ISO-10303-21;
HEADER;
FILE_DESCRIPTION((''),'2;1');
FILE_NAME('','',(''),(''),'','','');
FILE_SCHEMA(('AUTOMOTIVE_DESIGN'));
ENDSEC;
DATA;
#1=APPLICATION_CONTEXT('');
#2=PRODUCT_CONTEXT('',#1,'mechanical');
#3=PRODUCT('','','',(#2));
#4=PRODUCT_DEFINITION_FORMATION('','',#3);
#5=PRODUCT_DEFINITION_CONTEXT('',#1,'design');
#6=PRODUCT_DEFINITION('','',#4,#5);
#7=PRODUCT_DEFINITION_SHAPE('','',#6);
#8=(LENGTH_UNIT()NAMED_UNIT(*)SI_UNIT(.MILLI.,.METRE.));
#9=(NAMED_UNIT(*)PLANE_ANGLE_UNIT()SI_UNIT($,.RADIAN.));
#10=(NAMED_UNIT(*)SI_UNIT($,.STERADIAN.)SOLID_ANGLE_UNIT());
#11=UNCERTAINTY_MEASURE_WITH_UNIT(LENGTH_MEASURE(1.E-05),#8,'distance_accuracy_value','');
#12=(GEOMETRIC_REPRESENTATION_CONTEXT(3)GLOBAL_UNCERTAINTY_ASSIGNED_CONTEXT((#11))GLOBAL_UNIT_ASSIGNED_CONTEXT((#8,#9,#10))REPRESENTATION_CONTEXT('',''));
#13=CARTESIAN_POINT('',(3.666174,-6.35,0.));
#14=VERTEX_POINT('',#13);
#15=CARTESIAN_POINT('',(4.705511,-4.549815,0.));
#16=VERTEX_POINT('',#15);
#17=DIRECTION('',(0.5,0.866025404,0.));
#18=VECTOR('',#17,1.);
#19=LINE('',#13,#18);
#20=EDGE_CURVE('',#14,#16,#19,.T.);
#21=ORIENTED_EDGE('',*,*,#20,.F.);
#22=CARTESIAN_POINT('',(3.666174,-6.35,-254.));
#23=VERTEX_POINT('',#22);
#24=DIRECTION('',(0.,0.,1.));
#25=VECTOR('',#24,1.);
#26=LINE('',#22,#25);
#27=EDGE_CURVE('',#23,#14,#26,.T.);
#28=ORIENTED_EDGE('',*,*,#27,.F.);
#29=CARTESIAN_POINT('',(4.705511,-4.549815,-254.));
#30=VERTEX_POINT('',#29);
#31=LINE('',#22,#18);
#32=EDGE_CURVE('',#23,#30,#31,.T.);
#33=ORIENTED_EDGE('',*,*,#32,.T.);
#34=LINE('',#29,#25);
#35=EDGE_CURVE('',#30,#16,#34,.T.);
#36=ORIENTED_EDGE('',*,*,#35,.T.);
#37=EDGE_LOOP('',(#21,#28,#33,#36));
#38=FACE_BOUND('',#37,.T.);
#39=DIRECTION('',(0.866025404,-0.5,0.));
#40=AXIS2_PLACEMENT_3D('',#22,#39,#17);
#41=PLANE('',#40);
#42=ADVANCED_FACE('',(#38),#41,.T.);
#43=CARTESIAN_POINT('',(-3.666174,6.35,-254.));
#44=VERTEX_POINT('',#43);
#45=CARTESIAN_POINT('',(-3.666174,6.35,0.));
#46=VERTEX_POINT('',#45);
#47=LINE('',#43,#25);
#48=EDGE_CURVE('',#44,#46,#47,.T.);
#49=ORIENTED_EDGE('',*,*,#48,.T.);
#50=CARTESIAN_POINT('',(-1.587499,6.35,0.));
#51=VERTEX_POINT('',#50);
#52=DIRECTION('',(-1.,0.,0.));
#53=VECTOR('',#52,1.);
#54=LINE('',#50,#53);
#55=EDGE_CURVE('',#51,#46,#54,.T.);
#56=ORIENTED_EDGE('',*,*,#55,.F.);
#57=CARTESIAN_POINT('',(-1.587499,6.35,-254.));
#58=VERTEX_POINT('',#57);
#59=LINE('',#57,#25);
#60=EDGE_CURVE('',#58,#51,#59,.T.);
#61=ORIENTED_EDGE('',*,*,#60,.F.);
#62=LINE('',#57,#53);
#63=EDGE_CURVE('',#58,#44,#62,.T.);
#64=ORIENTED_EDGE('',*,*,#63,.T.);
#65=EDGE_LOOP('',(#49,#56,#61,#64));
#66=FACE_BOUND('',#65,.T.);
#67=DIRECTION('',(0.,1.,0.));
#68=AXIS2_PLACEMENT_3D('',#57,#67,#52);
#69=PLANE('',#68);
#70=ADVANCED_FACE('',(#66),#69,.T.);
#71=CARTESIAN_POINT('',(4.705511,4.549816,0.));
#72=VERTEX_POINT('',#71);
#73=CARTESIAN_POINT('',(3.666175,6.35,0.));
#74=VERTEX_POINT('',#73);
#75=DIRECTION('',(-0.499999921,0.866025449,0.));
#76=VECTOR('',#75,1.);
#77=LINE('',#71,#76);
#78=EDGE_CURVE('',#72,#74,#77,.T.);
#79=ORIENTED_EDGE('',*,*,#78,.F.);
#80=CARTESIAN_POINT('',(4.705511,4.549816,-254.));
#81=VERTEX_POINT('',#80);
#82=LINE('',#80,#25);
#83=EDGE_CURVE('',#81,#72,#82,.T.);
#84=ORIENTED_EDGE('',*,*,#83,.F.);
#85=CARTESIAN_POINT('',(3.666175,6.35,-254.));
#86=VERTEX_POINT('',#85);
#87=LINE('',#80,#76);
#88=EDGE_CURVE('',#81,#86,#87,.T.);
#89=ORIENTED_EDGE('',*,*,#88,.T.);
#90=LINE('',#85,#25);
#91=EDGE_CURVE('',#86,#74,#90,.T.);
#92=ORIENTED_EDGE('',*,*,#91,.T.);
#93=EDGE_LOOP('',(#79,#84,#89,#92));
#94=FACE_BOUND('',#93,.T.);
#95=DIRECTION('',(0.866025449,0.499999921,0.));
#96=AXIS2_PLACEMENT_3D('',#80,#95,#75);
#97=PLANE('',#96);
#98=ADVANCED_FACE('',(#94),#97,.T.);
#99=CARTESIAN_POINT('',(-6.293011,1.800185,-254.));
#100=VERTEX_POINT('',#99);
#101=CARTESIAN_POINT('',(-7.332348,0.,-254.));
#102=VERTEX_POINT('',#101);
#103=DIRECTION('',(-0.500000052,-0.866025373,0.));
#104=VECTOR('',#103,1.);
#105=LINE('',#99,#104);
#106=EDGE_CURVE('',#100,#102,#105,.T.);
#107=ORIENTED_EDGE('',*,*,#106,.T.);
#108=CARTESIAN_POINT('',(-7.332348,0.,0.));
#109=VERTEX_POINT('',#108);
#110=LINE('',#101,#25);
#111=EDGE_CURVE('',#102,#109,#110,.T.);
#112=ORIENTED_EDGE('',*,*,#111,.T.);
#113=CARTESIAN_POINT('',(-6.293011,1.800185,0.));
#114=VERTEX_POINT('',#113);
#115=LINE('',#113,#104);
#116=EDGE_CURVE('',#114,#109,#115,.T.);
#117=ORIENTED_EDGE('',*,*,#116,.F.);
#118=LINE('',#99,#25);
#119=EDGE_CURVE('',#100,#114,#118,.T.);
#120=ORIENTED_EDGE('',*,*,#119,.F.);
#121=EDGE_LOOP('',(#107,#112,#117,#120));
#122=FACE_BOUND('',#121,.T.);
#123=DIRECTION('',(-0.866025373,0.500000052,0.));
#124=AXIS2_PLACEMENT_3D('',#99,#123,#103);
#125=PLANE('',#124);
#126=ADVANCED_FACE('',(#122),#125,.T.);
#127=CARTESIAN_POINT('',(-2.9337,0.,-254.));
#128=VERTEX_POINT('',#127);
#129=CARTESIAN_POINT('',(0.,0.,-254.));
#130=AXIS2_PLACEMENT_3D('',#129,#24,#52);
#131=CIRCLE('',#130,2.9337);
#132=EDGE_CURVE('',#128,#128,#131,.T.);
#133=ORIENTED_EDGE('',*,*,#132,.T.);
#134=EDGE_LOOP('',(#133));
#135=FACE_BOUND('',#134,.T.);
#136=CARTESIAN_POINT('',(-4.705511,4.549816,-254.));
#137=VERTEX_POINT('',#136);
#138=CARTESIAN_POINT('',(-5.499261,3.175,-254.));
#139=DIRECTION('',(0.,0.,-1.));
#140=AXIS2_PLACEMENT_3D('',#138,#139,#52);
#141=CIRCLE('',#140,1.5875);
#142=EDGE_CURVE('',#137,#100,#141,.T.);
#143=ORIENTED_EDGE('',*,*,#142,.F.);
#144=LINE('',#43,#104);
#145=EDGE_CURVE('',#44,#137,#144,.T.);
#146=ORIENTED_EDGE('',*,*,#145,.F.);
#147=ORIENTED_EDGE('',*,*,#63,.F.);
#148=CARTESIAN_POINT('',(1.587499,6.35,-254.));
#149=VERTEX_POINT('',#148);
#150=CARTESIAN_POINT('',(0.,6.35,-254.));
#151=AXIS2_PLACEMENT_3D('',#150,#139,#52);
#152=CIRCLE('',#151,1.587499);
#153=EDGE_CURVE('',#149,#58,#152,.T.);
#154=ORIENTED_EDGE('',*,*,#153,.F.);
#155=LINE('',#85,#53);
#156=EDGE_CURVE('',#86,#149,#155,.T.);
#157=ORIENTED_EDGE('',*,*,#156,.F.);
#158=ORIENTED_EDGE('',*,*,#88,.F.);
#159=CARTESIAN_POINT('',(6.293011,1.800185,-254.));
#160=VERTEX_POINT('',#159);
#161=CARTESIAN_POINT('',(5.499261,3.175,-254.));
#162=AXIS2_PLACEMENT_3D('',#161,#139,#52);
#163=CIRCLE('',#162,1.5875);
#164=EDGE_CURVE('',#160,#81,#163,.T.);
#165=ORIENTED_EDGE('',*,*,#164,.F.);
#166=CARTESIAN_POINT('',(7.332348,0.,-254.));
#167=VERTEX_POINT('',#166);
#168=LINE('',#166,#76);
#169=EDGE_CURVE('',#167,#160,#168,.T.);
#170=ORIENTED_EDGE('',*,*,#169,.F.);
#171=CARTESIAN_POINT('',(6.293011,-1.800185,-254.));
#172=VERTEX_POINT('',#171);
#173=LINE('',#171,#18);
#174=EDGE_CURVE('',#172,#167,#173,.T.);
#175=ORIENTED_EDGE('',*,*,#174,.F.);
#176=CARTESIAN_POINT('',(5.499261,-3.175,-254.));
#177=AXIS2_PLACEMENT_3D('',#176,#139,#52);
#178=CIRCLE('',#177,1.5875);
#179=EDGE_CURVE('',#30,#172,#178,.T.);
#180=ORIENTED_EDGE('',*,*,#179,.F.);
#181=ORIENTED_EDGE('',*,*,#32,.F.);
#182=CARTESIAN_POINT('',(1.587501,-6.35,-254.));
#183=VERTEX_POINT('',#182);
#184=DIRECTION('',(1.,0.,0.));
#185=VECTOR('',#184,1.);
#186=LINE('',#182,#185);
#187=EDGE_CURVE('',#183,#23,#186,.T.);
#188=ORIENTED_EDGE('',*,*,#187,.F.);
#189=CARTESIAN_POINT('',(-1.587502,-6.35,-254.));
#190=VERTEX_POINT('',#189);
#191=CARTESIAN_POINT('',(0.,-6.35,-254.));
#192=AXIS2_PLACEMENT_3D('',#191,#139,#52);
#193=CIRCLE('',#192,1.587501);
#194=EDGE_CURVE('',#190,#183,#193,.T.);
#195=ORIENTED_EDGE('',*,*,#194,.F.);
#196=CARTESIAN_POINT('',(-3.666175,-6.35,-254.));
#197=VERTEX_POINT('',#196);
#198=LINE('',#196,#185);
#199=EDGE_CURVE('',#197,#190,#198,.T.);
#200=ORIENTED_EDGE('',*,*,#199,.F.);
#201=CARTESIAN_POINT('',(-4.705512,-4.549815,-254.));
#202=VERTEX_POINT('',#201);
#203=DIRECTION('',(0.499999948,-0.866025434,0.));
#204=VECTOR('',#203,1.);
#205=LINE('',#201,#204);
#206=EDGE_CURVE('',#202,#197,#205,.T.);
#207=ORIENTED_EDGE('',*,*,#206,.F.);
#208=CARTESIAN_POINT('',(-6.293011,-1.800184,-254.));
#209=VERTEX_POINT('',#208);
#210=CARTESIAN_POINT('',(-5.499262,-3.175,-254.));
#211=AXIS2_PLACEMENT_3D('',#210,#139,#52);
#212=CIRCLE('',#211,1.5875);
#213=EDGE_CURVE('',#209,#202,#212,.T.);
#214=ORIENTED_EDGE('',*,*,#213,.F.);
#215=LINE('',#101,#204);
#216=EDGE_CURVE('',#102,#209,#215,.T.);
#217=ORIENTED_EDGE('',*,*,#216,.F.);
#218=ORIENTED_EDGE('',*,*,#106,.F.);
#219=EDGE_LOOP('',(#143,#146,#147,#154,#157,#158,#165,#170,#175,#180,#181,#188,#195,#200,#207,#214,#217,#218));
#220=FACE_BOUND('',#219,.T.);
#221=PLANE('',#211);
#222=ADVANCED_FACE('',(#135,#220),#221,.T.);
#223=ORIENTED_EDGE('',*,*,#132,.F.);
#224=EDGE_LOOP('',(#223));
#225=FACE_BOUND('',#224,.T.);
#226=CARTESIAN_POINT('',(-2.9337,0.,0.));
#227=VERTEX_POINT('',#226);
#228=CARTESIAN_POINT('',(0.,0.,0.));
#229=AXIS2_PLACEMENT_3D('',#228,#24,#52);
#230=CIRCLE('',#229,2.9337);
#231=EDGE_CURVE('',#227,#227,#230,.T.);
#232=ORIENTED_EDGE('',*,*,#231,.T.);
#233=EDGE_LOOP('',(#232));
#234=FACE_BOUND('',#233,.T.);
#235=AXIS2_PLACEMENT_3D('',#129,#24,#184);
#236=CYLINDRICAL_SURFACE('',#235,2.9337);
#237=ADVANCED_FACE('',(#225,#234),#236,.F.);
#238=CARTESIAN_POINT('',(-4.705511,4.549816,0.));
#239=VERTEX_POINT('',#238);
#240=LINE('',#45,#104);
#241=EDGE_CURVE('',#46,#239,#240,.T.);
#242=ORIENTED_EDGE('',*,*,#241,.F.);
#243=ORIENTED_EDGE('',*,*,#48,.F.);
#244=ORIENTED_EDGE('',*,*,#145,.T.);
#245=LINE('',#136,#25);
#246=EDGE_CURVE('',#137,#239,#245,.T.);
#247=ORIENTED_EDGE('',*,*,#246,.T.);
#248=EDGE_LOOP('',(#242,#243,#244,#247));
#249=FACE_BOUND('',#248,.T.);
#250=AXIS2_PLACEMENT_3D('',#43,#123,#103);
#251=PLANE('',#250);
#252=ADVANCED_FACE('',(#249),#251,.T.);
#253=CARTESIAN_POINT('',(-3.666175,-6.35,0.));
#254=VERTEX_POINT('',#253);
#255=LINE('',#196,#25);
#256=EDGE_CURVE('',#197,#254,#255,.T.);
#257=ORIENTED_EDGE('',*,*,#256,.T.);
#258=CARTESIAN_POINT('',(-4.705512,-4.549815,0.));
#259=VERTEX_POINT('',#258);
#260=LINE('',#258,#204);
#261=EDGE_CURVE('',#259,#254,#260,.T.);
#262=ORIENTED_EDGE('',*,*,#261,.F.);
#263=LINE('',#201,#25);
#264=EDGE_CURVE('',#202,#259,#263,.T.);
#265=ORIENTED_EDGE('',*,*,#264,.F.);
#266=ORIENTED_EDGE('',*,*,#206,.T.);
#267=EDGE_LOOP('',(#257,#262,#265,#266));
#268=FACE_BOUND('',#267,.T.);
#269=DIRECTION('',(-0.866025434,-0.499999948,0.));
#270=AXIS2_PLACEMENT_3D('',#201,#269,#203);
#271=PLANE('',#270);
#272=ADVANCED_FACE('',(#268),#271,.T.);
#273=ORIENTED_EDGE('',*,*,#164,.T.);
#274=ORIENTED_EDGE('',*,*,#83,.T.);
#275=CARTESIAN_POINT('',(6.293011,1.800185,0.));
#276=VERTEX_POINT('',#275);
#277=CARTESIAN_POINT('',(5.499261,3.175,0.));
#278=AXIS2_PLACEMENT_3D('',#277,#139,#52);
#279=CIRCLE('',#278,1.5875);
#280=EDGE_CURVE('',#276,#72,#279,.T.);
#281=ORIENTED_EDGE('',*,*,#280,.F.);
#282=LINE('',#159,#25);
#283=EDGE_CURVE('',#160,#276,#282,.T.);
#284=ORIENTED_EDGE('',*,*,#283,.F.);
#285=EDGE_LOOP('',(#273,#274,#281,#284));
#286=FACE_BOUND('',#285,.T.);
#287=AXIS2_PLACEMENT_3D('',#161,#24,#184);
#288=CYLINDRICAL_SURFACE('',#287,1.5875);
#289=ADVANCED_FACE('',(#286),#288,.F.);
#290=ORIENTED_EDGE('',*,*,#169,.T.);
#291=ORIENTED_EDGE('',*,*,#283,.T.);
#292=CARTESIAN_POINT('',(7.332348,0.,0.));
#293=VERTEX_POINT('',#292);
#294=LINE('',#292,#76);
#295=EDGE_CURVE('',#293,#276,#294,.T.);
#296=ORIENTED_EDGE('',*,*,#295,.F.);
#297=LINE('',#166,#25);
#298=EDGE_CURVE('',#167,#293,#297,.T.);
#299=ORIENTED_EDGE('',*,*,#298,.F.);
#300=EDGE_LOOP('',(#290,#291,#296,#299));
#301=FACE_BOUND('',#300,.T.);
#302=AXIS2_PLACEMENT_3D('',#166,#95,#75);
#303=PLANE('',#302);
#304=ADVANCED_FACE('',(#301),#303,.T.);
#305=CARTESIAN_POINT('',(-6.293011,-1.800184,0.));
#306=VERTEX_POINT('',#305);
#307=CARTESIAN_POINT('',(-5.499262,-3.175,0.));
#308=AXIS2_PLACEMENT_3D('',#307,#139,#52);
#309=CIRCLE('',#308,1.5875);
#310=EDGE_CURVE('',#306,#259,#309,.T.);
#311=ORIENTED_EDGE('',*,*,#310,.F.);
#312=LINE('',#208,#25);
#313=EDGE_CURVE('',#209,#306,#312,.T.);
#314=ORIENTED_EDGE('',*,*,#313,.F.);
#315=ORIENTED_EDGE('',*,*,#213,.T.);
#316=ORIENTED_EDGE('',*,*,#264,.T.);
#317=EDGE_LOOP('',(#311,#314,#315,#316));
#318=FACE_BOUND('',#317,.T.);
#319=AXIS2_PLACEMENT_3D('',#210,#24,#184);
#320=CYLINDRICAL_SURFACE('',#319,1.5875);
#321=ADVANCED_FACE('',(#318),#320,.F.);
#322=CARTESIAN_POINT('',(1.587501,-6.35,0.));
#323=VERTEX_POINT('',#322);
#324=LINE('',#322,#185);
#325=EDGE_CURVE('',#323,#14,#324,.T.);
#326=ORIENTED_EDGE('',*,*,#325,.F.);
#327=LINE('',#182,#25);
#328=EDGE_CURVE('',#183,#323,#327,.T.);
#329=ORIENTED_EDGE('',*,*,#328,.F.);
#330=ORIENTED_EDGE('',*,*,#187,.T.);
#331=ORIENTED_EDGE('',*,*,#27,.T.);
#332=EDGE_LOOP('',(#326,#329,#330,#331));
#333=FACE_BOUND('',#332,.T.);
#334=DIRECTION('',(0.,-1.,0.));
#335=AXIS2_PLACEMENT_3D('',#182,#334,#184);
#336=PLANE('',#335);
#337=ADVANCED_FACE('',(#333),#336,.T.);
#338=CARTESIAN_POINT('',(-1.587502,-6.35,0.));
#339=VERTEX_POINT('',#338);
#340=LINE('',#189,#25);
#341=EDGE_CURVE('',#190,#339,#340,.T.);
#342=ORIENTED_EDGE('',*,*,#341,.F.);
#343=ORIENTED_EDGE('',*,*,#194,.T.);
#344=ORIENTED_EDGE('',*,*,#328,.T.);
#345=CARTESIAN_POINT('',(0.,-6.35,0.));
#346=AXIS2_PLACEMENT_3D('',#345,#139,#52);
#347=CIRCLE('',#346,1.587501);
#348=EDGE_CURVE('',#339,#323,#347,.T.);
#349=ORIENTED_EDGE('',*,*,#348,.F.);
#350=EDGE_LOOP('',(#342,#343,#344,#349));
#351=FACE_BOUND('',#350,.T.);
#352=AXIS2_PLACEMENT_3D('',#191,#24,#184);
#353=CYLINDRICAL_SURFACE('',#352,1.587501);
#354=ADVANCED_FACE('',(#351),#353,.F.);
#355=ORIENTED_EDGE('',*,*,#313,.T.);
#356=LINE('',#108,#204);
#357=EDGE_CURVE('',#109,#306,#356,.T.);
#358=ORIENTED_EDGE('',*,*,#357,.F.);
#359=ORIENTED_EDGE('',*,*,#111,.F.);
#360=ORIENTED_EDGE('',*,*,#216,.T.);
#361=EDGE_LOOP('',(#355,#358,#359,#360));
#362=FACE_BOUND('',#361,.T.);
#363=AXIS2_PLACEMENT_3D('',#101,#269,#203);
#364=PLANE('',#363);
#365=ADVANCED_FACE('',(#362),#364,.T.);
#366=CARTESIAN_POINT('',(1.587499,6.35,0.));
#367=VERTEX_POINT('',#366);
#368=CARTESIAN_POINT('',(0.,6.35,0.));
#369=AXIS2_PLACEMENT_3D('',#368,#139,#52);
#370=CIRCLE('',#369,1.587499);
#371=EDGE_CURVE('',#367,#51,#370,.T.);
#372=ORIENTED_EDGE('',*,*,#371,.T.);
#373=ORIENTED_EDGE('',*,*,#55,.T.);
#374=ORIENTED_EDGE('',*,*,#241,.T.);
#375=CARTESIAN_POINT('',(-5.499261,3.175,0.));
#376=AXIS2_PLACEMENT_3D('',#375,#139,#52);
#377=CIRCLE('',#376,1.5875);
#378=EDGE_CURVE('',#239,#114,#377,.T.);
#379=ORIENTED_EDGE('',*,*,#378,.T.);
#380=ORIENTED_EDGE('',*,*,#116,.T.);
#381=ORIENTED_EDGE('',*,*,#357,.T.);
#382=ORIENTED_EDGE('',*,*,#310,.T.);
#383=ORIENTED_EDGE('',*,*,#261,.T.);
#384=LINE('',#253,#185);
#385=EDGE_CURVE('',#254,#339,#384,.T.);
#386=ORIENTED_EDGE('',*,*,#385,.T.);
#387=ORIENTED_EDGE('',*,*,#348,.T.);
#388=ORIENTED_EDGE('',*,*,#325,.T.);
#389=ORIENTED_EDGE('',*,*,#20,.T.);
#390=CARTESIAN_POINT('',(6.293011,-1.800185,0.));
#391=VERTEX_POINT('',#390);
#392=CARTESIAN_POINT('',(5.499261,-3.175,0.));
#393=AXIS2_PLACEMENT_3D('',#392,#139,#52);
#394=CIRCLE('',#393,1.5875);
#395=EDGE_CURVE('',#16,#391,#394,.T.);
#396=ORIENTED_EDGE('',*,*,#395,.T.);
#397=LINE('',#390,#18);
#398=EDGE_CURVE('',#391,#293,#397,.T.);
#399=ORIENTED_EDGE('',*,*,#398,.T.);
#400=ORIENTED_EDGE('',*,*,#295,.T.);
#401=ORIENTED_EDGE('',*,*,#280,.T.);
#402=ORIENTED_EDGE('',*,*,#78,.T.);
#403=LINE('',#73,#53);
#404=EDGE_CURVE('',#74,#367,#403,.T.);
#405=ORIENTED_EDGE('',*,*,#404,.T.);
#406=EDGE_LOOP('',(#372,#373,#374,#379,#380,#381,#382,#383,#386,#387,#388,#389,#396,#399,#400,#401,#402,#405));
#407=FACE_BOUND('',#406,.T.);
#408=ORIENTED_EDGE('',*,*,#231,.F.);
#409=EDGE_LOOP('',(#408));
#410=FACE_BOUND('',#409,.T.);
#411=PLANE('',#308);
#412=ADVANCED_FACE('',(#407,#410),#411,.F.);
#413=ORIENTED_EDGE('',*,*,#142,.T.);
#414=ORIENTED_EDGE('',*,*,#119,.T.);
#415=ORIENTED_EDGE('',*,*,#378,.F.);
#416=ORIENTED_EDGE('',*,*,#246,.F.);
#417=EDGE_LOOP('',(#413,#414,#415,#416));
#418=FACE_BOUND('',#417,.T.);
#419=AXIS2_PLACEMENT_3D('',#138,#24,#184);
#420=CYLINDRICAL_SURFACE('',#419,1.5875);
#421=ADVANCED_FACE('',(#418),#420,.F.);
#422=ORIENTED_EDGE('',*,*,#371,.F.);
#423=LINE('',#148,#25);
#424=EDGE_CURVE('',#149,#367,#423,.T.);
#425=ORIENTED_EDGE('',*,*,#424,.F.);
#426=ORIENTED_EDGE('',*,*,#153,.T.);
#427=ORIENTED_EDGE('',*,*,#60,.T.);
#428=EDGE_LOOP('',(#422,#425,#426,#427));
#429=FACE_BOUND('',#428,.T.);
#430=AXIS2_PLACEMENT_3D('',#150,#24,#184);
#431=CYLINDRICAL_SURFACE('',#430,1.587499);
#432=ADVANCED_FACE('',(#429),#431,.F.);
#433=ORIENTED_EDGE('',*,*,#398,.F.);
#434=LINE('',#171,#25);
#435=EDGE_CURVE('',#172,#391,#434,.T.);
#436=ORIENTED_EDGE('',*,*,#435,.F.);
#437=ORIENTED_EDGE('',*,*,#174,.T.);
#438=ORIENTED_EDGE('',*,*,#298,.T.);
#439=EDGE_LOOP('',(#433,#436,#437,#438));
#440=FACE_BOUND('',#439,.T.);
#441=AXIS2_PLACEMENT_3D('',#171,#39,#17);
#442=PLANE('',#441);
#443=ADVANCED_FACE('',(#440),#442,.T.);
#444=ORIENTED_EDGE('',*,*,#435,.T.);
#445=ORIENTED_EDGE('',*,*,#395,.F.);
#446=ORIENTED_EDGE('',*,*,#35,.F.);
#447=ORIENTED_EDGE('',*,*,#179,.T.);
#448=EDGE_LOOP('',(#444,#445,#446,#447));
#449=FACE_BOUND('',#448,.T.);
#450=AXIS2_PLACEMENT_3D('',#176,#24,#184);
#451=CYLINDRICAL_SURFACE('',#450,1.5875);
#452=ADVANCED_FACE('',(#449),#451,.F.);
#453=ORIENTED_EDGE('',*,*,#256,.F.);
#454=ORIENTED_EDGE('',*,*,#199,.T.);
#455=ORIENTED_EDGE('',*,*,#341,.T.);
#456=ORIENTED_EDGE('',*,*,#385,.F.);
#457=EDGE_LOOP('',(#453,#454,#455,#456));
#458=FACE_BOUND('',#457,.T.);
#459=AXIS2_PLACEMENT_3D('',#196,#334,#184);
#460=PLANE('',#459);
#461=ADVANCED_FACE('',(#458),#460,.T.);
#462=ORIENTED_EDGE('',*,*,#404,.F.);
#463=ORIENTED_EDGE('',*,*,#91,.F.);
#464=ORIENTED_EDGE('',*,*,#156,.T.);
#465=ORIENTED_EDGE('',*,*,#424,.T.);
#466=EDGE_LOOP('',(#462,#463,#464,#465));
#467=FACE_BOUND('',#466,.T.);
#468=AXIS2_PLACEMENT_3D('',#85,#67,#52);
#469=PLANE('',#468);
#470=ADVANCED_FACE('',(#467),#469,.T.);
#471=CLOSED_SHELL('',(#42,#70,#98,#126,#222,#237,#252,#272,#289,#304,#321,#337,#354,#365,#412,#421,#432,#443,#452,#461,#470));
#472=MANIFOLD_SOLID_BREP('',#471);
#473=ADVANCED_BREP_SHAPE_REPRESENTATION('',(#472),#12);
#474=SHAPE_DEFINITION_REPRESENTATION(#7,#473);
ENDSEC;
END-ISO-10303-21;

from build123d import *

# Parameters (mm, degrees)
SKETCH1_R           = 2.9337
BOSS_EXTRUDE1_DEPTH = 254


with BuildPart() as part:
    # Sketch1 → Boss-Extrude1 (new body)
    with BuildSketch(Plane.XY):
        with BuildLine():
            Line((-4.70551159, -4.549815043), (-3.666174521, -6.349999904))
            Line((-3.666174521, -6.349999904), (-1.587501154, -6.349999904))
            ThreePointArc((-1.587501154, -6.349999904), (-3.85e-07, -4.762499134), (1.587501154, -6.349999904))
            Line((1.587501154, -6.349999904), (3.666173825, -6.349999904))
            Line((3.666173825, -6.349999904), (4.705510929, -4.549815232))
            ThreePointArc((4.705510929, -4.549815232), (4.124445601, -2.381249904), (6.293010929, -1.800184575))
            Line((6.293010929, -1.800184575), (7.332348034, 9.6e-08))
            Line((7.332348034, 9.6e-08), (6.293011178, 1.800184715))
            ThreePointArc((6.293011178, 1.800184715), (4.124445902, 2.381250241), (4.705511428, 4.549815516))
            Line((4.705511428, 4.549815516), (3.666174521, 6.350000222))
            Line((3.666174521, 6.350000222), (1.587498846, 6.350000222))
            ThreePointArc((1.587498846, 6.350000222), (3.85e-07, 4.762501761), (-1.587498846, 6.350000222))
            Line((-1.587498846, 6.350000222), (-3.666173825, 6.350000222))
            Line((-3.666173825, 6.350000222), (-4.705511038, 4.549815614))
            ThreePointArc((-4.705511038, 4.549815614), (-4.124445841, 2.38125025), (-6.293011205, 1.800185053))
            Line((-6.293011205, 1.800185053), (-7.332348419, 4.44e-07))
            Line((-7.332348419, 4.44e-07), (-6.293011423, -1.80018429))
            ThreePointArc((-6.293011423, -1.80018429), (-4.12444613, -2.38124975), (-4.70551159, -4.549815043))
        make_face()
        Circle(SKETCH1_R, mode=Mode.SUBTRACT)
    extrude(amount=-BOSS_EXTRUDE1_DEPTH)


solid = part.part
